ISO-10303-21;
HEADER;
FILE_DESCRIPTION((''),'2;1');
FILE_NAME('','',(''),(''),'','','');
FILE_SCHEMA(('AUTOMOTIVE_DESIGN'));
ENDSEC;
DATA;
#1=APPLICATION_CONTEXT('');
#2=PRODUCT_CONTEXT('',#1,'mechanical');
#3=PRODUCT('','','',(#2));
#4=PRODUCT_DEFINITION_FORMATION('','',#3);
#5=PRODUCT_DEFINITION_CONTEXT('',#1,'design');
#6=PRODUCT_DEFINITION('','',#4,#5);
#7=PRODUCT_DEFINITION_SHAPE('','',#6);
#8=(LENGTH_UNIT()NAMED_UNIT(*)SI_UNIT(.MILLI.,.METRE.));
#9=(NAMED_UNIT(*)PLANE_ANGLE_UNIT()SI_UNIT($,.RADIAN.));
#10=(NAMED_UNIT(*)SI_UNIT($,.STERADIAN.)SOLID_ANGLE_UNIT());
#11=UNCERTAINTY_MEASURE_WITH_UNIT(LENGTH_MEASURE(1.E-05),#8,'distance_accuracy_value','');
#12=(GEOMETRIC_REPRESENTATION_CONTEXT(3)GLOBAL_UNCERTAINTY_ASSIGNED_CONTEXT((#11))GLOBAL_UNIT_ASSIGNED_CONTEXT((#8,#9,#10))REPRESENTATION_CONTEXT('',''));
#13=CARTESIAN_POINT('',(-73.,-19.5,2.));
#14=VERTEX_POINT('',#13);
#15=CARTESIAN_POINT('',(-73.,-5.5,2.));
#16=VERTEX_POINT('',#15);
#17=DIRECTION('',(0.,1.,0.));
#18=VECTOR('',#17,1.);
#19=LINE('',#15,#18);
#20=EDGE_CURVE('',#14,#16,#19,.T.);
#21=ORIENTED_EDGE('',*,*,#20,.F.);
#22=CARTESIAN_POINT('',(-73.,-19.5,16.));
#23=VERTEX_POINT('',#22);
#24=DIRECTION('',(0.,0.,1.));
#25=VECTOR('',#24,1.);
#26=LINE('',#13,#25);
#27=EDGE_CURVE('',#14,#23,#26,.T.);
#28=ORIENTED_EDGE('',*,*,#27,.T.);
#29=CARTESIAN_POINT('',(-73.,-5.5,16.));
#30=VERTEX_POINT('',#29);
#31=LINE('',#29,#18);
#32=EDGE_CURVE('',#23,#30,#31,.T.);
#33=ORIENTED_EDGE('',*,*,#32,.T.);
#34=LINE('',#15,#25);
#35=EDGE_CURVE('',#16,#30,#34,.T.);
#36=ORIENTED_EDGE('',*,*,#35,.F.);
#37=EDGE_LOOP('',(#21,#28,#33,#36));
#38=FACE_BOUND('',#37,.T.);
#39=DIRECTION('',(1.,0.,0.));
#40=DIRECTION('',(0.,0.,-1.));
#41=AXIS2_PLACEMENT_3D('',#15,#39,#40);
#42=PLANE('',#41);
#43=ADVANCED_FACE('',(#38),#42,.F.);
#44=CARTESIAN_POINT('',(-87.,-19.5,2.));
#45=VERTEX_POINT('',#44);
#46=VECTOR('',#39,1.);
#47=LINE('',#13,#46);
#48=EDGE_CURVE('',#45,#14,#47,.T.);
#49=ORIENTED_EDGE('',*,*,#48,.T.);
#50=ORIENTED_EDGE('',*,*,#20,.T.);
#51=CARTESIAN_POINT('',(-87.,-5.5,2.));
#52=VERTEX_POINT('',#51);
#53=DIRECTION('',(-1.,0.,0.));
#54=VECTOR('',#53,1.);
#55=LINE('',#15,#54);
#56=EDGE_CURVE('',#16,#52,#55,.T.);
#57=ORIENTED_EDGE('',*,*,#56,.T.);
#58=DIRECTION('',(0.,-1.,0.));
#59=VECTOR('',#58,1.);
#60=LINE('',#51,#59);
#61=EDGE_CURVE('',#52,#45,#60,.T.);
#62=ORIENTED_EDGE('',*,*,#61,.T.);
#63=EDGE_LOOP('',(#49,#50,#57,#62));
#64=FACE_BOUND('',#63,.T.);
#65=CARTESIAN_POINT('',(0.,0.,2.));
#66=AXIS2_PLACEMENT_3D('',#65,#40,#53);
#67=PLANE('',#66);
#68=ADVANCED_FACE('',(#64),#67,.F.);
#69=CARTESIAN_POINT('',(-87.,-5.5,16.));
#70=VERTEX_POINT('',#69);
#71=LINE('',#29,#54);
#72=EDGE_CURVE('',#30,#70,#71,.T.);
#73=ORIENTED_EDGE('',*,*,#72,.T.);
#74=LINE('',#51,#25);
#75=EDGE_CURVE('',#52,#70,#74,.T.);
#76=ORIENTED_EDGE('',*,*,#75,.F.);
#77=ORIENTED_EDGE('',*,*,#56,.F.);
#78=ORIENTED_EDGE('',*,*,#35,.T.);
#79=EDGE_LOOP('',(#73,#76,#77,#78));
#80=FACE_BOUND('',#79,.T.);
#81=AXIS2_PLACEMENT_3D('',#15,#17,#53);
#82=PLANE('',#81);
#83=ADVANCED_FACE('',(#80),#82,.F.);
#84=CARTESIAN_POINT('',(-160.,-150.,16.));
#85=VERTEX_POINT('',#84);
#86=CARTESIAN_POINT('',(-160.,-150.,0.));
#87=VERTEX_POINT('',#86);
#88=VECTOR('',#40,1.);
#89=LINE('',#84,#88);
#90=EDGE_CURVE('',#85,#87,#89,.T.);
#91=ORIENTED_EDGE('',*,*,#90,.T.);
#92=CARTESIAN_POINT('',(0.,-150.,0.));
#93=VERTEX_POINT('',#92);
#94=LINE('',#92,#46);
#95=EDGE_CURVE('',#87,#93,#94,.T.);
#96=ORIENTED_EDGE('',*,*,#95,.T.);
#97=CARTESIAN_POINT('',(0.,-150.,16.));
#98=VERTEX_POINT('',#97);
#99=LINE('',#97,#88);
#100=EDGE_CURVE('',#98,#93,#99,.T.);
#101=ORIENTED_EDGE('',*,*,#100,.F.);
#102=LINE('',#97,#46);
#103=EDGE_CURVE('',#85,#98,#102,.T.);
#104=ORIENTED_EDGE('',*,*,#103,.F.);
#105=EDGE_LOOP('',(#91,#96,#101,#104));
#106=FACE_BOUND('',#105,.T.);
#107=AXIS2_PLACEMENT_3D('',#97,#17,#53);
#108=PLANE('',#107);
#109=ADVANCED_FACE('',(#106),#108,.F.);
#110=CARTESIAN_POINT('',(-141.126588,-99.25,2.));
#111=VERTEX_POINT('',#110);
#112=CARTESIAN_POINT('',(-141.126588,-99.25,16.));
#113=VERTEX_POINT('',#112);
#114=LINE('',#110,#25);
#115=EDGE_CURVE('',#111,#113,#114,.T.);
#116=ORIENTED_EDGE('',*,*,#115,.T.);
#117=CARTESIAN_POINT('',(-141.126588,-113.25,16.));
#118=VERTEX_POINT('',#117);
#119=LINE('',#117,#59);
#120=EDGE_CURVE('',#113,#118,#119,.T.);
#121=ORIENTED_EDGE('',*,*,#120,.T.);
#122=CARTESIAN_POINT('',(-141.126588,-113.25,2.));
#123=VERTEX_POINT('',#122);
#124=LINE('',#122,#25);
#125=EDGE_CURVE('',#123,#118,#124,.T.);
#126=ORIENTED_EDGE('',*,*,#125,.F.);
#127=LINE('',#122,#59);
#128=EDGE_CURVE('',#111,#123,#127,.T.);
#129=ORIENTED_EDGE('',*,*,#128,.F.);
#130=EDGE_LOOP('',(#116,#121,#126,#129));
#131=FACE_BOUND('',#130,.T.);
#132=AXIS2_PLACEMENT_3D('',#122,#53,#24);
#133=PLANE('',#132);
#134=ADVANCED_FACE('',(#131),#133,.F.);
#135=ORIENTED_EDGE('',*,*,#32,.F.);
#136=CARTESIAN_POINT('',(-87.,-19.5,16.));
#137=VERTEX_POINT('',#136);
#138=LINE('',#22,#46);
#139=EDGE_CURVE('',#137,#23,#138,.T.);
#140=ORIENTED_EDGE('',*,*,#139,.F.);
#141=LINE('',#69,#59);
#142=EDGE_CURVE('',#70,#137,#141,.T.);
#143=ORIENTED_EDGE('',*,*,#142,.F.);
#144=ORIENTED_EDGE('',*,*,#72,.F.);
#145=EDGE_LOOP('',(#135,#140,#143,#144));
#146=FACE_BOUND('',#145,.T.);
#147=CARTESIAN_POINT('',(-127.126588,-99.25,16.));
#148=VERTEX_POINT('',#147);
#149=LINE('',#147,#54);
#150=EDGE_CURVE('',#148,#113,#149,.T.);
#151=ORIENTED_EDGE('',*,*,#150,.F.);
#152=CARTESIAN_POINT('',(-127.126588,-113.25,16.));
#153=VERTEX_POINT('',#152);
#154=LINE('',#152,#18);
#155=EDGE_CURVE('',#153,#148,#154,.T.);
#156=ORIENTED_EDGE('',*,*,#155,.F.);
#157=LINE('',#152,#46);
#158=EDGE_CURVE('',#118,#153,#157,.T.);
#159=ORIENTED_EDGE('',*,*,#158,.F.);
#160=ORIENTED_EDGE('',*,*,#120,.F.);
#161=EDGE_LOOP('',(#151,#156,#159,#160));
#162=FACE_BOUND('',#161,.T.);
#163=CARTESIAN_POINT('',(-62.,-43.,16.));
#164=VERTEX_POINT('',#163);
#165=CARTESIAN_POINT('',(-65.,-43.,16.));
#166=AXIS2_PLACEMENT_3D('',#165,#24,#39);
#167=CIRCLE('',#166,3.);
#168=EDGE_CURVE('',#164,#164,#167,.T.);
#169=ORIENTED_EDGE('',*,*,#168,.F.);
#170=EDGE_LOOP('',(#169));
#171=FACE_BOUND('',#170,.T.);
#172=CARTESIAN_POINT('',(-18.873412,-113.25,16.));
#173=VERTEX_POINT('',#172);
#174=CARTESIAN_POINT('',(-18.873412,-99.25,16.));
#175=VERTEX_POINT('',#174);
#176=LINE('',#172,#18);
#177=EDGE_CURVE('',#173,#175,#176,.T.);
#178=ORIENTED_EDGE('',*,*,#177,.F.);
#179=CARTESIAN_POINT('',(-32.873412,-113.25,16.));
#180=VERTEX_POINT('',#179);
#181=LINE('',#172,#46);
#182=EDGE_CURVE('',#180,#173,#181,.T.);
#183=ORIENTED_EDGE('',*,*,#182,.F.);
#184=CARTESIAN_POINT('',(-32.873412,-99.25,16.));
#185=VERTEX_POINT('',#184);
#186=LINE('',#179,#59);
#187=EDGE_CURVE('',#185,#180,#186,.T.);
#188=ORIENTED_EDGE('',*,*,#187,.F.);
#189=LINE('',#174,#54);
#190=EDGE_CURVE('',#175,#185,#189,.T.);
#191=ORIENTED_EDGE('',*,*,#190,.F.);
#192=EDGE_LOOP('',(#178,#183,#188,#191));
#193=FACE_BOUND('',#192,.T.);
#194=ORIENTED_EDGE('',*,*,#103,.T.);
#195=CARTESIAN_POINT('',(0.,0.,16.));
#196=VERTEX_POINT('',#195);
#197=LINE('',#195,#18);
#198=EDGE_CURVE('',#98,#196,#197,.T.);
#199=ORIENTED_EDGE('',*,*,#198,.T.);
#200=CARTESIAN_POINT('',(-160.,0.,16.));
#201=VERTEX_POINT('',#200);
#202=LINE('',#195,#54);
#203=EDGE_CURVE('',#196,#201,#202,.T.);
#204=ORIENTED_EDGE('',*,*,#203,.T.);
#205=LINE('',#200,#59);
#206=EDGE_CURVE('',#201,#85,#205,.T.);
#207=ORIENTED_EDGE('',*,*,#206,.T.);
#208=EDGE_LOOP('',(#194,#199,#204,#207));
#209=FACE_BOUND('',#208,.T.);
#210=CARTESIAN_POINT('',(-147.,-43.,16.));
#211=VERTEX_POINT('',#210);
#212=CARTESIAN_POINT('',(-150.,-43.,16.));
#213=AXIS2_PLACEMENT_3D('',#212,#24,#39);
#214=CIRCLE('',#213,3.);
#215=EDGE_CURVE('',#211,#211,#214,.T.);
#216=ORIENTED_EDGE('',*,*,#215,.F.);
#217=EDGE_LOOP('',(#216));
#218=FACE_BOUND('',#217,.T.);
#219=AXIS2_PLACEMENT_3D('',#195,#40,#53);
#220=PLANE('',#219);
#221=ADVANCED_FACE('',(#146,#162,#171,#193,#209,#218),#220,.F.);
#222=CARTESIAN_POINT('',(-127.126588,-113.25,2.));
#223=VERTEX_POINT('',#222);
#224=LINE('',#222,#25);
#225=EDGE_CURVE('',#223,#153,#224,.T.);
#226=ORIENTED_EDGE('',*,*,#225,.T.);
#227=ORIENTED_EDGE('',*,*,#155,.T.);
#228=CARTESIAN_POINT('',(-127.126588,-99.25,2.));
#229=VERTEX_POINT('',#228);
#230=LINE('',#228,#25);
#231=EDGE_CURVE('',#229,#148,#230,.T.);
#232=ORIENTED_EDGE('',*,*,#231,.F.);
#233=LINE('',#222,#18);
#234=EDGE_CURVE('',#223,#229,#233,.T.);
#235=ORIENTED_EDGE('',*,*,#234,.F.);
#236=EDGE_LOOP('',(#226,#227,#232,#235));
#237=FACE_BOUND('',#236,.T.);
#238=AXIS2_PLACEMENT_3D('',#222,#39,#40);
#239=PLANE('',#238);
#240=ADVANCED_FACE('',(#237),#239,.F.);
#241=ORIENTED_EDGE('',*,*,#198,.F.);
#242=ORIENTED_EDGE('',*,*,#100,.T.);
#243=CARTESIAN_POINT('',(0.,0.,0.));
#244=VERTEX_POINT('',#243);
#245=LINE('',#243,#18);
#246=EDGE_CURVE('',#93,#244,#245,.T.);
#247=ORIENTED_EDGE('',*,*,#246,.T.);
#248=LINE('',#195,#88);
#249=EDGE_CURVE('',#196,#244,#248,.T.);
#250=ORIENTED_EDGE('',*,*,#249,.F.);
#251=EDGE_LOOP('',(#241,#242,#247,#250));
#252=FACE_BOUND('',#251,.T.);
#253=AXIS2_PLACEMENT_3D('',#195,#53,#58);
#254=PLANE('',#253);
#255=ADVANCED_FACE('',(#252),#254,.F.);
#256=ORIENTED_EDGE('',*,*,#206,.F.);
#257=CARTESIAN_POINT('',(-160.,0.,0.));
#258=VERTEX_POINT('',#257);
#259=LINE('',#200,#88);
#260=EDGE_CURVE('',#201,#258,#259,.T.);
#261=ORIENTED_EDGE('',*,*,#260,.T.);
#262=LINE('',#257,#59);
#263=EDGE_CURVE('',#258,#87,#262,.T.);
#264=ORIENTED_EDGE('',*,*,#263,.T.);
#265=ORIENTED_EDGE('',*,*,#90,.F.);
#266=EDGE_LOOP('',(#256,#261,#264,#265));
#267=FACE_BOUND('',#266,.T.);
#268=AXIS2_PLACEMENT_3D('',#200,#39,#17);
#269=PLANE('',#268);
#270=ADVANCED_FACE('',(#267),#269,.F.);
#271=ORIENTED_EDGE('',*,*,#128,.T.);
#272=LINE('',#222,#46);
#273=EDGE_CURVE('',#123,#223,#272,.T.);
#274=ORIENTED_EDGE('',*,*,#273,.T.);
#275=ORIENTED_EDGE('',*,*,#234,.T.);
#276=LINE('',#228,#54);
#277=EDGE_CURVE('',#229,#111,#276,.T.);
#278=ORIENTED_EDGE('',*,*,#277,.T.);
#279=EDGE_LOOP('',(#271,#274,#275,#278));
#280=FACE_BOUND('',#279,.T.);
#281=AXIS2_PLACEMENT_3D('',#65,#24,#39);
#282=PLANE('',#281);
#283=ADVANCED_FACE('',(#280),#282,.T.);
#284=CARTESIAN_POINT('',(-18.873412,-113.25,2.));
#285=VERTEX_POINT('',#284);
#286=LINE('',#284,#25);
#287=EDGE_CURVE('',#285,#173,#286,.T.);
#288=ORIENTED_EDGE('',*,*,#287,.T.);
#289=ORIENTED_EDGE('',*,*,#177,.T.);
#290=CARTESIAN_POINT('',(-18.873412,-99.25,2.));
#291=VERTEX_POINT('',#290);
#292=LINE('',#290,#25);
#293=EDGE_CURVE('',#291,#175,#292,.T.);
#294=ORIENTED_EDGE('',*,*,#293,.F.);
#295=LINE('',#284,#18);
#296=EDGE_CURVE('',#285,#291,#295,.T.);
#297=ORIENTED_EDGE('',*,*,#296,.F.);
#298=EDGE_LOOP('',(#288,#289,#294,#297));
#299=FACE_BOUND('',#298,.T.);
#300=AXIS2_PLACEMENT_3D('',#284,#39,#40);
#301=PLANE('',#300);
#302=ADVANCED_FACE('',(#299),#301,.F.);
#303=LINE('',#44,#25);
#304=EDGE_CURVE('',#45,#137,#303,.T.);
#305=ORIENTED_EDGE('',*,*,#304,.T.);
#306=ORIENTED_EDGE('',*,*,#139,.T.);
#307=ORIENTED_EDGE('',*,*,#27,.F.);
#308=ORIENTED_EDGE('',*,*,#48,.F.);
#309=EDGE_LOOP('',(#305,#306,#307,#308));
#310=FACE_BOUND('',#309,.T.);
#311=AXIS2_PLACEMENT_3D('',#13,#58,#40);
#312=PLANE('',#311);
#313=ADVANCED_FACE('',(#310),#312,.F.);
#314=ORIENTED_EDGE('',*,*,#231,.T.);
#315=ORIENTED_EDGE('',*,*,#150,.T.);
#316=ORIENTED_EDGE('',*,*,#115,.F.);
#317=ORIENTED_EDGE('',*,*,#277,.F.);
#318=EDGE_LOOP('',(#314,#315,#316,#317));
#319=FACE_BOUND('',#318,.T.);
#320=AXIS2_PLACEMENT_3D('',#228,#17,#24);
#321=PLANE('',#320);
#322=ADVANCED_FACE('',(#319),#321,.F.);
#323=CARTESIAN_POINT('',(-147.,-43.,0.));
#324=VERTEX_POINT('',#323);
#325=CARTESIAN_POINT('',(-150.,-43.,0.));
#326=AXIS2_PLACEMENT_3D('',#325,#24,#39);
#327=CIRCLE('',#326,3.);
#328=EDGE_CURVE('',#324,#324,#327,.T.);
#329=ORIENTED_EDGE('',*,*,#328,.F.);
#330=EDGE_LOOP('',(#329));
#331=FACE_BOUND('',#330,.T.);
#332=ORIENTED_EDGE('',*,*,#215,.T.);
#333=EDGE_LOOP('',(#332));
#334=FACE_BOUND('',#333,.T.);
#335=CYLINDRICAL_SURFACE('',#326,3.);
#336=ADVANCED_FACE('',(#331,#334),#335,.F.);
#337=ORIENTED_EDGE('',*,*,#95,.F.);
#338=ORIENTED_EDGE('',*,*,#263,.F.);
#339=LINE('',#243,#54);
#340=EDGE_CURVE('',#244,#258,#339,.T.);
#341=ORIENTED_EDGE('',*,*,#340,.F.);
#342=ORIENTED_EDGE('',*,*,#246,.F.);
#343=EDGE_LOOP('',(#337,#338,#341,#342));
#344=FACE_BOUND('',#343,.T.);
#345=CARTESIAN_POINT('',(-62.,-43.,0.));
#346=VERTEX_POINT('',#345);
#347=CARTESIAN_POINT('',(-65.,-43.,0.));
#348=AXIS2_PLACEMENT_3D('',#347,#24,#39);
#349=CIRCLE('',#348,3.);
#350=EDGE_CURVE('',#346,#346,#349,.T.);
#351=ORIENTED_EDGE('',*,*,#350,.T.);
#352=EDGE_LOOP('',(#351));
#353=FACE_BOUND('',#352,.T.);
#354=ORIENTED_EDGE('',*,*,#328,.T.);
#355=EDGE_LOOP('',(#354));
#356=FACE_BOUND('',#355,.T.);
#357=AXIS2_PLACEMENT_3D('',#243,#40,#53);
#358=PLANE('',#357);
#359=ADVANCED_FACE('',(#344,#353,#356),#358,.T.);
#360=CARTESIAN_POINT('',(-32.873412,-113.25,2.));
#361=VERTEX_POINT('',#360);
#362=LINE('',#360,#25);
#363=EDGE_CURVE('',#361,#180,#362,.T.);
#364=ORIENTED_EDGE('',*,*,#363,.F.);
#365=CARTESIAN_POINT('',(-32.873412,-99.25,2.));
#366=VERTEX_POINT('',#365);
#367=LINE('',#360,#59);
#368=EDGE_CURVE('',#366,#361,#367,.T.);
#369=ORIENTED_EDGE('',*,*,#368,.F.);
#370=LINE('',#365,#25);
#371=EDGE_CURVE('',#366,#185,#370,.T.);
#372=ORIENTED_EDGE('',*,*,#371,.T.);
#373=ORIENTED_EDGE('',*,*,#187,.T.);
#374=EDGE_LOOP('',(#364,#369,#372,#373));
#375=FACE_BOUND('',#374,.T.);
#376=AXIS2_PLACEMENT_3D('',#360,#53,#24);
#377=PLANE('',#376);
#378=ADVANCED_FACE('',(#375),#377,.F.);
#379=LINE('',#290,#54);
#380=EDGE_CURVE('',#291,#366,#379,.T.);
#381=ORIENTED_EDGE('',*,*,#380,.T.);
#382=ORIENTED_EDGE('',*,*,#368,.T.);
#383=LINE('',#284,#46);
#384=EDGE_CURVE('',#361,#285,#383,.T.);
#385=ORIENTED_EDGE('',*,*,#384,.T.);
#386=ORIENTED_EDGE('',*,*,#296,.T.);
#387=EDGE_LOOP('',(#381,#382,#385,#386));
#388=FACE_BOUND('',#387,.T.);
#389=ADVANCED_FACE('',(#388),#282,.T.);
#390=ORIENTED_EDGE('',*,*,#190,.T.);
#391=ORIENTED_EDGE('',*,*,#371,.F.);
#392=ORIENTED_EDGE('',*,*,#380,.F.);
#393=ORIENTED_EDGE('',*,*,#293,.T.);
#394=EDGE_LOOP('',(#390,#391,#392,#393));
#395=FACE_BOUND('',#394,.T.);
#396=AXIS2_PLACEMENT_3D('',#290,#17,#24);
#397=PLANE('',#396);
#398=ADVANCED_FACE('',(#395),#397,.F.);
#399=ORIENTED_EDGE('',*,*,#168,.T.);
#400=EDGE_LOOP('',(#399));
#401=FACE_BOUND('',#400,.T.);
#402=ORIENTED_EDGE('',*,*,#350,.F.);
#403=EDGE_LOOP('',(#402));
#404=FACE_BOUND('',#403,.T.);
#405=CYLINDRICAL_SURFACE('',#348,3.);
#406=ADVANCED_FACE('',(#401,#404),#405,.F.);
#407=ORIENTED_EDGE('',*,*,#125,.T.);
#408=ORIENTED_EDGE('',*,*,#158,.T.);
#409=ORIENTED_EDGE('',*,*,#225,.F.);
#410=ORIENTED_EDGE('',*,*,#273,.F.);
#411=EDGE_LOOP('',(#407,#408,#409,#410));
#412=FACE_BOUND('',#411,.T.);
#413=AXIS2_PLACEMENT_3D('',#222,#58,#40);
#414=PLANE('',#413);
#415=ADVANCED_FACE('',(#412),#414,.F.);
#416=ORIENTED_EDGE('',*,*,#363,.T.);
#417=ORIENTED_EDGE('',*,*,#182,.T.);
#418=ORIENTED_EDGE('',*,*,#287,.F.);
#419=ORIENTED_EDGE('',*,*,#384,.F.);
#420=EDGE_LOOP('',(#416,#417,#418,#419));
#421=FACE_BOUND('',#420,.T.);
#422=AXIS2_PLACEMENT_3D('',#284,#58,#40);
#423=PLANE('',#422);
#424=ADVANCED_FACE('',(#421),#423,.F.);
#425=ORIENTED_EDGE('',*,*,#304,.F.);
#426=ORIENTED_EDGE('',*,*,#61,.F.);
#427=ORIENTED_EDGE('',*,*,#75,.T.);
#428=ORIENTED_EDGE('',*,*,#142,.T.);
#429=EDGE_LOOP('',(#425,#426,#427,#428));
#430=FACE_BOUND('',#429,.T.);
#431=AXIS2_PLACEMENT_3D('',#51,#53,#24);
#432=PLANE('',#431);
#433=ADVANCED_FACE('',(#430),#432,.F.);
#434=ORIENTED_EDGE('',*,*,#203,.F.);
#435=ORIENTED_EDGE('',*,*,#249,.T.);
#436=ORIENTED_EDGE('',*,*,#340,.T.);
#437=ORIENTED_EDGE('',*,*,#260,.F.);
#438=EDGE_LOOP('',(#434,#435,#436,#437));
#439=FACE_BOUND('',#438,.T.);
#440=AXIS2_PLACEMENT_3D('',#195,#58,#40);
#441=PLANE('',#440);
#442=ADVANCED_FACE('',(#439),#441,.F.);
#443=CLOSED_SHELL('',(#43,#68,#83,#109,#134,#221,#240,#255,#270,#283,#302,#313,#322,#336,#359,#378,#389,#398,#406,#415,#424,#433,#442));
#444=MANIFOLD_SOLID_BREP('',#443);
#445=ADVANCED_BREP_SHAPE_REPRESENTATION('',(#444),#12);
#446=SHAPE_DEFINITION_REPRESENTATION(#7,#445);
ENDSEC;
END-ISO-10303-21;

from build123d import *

# Parameters (mm, degrees)
SKETCH1_W           = 160
SKETCH1_H           = 150
BOSS_EXTRUDE1_DEPTH = 16
SKETCH2_W           = 14
SKETCH2_H           = 14
CUT_EXTRUDE1_DEPTH  = 14
SKETCH3_R           = 3
CUT_EXTRUDE2_DEPTH  = 220.899977262


with BuildPart() as part:
    # Sketch1 → Boss-Extrude1 (new body)
    with BuildSketch(Plane.XY):
        with Locations((-80, -75)):
            Rectangle(SKETCH1_W, SKETCH1_H)
    extrude(amount=BOSS_EXTRUDE1_DEPTH)

    # Sketch2 → Cut-Extrude1 (cut)
    with BuildSketch(Plane.XY.offset(16)):
        with Locations((-80, -12.5)):
            Rectangle(SKETCH2_W, SKETCH2_H)
        with Locations((-134.126587737, -106.25)):
            Rectangle(SKETCH2_W, SKETCH2_H)
        with Locations((-25.873412263, -106.25)):
            Rectangle(SKETCH2_W, SKETCH2_H)
    extrude(amount=-CUT_EXTRUDE1_DEPTH, mode=Mode.SUBTRACT)

    # Sketch3 → Cut-Extrude2 (cut, through all)
    with BuildSketch(Plane.XY.offset(16)):
        with Locations((-65, -43)):
            Circle(SKETCH3_R)
        with Locations((-150, -43)):
            Circle(SKETCH3_R)
    extrude(amount=-CUT_EXTRUDE2_DEPTH, mode=Mode.SUBTRACT)


solid = part.part
